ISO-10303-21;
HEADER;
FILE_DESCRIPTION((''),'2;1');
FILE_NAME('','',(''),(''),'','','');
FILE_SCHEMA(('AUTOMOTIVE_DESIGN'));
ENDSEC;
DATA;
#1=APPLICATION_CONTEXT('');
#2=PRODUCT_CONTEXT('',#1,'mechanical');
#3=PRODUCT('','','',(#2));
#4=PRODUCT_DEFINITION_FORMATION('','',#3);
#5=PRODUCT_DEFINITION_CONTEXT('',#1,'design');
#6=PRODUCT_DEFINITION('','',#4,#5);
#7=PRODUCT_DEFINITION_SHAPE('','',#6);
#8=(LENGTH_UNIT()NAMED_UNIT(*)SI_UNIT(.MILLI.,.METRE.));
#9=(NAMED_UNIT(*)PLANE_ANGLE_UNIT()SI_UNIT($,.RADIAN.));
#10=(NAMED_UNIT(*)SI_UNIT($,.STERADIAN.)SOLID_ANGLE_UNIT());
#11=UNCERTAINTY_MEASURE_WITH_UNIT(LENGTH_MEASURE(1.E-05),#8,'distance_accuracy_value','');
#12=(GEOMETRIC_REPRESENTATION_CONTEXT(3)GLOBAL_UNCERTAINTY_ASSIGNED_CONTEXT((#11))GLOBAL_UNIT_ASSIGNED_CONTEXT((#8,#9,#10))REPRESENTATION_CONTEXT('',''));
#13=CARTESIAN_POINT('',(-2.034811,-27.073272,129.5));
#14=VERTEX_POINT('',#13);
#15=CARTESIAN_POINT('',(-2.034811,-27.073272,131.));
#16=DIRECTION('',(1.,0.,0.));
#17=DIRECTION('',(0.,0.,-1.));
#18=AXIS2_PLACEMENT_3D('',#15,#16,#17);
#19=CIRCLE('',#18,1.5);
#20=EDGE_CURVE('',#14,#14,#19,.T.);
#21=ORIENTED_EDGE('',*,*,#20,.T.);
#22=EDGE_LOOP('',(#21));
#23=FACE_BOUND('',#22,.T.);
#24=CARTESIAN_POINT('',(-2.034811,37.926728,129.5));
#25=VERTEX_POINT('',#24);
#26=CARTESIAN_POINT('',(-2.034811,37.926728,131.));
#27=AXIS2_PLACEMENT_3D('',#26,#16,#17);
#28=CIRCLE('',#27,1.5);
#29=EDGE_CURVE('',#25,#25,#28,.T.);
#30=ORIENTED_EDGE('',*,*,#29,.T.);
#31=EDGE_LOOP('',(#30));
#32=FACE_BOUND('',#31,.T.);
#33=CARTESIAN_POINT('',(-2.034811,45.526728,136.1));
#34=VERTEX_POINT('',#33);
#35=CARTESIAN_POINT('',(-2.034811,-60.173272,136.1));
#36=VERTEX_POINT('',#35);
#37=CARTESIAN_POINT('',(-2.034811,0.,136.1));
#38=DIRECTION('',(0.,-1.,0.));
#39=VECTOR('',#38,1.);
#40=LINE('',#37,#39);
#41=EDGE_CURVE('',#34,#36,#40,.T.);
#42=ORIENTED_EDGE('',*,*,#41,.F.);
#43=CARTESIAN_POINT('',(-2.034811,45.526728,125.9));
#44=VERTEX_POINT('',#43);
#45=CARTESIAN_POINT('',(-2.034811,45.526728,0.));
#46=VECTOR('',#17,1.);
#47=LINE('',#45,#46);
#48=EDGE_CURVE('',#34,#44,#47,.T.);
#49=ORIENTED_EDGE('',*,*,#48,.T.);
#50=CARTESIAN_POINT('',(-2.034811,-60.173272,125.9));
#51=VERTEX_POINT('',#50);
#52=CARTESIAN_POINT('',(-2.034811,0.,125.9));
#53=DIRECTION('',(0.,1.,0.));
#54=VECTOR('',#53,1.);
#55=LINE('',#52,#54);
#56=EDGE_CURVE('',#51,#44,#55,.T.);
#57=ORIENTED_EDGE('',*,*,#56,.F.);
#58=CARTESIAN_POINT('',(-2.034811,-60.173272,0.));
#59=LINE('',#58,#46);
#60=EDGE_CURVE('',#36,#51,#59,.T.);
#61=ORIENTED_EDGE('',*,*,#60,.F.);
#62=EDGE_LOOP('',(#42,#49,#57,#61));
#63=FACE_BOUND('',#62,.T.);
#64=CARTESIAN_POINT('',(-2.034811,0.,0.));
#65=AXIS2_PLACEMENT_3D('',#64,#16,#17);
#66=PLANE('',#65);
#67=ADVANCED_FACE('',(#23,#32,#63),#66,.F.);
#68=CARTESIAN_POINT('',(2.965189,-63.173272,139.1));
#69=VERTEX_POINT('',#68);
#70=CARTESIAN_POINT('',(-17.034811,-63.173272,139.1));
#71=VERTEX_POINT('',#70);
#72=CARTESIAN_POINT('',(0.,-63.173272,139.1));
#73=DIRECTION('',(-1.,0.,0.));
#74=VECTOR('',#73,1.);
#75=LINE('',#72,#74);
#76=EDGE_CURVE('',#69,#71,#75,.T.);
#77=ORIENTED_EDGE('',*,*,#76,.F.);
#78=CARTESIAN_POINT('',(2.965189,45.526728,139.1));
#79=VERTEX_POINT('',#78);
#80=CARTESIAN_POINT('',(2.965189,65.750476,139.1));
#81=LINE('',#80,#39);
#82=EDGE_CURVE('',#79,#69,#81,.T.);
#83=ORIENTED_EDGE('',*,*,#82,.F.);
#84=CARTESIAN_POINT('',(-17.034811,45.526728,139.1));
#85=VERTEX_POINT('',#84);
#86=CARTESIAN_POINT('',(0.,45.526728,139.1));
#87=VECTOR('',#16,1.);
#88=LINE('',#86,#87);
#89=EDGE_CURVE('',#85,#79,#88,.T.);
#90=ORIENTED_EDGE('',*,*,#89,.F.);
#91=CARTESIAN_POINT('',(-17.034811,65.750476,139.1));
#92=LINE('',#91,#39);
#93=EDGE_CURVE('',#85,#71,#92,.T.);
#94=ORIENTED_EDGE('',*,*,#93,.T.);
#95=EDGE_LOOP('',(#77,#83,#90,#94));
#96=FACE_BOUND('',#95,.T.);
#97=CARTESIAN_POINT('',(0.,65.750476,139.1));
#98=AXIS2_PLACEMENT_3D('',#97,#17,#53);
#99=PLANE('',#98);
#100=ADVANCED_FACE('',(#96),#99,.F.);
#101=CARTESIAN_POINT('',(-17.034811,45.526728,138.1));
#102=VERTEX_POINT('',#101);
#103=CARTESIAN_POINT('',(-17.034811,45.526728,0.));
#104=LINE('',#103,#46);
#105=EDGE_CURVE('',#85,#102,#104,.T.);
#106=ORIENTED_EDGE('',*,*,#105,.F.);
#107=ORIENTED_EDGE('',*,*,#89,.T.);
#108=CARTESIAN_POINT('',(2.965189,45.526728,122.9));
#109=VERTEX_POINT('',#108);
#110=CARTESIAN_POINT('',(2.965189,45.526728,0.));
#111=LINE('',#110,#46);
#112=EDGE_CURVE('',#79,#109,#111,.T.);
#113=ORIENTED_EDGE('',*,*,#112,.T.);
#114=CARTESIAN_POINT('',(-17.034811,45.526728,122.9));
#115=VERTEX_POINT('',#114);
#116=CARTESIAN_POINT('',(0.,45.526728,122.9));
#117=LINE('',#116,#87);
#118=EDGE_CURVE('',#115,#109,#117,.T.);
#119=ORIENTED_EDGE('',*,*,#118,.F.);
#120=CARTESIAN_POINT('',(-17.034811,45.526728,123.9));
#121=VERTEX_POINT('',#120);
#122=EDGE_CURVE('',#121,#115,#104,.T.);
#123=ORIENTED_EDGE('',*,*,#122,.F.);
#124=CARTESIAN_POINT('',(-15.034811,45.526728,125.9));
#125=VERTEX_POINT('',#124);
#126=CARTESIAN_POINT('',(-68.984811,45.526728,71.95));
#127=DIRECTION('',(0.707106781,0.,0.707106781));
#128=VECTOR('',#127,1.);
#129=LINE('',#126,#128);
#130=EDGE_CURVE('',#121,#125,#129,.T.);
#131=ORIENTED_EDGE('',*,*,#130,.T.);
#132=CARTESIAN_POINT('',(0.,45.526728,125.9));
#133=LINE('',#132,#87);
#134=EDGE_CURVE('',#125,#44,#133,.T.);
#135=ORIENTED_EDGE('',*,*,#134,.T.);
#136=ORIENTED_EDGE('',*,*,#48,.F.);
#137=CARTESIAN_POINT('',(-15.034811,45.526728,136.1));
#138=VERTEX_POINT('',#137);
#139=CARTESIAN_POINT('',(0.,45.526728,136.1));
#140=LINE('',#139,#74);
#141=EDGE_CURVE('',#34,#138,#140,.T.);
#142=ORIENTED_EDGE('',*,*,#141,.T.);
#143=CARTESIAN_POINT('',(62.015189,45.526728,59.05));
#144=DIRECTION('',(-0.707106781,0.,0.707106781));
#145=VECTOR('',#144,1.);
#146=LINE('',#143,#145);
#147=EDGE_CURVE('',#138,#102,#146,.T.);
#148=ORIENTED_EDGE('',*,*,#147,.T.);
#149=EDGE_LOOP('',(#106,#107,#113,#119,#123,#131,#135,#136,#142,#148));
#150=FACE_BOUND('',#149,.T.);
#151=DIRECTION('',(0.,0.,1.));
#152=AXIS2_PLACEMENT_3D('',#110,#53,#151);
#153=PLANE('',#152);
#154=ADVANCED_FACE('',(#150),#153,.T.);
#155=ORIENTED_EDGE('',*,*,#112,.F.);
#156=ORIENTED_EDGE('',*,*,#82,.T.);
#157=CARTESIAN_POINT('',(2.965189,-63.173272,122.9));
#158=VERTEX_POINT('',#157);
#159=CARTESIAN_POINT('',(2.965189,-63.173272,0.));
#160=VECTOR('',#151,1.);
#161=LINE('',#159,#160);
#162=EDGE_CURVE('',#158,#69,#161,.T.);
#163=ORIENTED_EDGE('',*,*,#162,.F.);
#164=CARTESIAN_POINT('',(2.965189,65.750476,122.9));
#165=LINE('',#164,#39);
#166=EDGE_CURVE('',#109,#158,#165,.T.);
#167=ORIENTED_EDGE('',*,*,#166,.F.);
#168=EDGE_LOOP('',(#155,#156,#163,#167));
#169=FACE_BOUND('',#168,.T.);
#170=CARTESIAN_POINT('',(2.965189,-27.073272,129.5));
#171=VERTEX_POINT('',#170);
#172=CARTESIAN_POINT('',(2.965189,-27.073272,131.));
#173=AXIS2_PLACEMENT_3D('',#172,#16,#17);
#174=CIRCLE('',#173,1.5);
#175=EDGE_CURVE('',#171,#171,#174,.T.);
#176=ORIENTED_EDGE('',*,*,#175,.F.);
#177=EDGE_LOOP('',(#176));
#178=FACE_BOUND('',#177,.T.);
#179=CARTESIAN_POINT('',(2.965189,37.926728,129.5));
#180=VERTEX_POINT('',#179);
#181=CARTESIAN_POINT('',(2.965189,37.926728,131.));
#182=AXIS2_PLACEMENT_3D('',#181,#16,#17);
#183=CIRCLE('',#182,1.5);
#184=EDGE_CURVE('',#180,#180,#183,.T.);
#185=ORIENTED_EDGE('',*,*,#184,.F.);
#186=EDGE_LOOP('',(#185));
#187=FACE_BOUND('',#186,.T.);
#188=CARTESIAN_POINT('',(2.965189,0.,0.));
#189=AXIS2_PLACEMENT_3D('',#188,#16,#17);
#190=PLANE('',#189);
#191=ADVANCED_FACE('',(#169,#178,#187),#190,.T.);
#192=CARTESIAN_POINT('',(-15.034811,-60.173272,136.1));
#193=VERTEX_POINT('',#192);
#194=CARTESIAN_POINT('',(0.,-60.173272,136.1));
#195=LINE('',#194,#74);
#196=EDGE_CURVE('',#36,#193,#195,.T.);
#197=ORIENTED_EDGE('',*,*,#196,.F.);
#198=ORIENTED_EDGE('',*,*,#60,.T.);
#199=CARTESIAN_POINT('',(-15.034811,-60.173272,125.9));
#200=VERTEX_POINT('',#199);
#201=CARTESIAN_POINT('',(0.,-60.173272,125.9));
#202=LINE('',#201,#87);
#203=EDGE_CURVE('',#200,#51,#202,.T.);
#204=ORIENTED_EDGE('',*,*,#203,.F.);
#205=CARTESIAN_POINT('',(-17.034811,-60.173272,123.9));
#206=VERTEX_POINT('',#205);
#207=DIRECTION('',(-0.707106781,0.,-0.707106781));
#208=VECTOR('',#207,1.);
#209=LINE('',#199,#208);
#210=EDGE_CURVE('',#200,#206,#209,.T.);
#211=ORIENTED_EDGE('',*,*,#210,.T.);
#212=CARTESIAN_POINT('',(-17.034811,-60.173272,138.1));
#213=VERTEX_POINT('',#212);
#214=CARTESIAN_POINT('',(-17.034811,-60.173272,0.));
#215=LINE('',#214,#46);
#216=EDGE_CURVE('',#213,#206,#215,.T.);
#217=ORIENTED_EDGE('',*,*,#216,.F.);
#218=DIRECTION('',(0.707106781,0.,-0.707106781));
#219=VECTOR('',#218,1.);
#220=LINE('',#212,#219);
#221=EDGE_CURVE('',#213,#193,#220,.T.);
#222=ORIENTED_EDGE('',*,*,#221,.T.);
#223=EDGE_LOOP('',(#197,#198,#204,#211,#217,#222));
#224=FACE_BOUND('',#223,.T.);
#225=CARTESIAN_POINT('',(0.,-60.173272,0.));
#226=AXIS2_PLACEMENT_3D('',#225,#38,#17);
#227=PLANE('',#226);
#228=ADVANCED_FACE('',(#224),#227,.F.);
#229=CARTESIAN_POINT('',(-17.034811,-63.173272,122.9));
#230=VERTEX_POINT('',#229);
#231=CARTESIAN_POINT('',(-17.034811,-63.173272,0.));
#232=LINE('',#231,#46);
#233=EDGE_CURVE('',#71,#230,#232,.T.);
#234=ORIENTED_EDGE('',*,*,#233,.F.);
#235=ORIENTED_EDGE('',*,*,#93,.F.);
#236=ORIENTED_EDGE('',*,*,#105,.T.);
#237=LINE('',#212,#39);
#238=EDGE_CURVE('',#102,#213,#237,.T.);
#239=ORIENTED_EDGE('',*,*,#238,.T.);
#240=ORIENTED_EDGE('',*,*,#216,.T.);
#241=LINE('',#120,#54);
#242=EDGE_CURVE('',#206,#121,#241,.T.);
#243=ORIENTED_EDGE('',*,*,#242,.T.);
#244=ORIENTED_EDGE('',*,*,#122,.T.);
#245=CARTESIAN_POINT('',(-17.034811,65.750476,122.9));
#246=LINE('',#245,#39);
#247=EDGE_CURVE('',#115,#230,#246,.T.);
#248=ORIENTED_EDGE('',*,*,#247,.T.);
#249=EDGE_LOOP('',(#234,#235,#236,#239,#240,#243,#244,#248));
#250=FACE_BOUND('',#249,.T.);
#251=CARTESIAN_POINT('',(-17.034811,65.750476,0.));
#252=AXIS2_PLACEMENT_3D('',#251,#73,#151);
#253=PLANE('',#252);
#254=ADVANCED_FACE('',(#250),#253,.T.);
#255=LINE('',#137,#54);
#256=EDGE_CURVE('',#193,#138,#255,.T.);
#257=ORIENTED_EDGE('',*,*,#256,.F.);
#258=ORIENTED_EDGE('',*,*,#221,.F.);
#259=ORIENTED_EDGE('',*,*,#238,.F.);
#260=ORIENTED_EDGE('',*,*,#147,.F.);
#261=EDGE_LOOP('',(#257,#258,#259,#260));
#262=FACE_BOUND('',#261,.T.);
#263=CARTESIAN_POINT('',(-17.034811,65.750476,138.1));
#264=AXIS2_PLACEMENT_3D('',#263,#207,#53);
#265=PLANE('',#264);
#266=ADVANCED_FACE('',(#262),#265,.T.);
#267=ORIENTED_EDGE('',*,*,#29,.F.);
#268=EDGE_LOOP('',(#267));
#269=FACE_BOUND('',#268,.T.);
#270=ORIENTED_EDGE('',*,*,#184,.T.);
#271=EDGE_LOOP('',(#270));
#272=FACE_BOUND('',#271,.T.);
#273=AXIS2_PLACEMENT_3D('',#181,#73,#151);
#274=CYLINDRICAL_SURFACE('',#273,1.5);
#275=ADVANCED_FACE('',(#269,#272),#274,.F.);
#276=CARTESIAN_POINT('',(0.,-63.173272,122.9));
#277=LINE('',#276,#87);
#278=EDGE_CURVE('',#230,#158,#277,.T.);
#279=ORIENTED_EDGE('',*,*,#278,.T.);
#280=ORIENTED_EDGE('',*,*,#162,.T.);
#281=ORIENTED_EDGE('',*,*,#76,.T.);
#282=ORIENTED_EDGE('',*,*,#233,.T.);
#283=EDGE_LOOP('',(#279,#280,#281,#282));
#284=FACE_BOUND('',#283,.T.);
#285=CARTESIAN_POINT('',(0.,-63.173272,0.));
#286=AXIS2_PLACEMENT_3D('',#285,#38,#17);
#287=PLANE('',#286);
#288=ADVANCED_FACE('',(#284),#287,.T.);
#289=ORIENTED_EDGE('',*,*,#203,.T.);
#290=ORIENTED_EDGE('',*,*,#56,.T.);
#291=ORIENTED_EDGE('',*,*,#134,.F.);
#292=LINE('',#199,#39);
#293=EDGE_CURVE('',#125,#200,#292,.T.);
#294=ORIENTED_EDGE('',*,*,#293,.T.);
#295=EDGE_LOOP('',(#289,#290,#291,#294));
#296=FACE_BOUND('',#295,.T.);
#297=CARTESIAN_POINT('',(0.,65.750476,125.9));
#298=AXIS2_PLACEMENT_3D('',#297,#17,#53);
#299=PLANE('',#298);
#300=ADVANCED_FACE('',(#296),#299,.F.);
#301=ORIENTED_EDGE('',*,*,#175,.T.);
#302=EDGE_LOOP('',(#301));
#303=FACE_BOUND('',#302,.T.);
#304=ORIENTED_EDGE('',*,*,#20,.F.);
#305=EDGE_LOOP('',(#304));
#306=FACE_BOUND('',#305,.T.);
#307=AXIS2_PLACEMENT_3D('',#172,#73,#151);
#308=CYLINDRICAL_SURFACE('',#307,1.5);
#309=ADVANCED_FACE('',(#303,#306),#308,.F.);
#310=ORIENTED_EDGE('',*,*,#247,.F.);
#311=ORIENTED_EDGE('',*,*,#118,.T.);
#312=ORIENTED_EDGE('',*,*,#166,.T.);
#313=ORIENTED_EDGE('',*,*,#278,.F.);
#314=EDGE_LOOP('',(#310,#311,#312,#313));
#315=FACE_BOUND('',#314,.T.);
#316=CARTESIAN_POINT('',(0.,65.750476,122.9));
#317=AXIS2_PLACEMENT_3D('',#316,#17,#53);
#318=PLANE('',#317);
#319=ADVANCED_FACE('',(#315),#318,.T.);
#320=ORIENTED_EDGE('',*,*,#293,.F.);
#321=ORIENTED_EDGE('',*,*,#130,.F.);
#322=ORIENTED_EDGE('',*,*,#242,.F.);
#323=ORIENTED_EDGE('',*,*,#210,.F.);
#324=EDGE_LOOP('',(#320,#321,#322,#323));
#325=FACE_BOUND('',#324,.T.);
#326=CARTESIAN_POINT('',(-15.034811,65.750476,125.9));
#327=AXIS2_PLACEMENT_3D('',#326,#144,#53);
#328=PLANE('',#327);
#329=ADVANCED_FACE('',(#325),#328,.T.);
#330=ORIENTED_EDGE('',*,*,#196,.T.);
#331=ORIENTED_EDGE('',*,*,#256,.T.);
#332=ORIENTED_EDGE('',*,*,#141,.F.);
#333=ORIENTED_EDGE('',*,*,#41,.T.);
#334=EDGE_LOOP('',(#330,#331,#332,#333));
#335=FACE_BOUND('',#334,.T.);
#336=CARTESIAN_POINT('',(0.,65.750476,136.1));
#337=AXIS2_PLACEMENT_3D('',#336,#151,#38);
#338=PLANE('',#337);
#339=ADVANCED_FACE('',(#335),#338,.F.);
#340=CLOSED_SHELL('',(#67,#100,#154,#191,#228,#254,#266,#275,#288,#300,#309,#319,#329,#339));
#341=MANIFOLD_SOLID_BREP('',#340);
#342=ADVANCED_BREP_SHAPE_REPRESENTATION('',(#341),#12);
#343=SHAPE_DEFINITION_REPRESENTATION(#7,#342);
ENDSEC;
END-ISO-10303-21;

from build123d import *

# Parameters (mm, degrees)
SKETCH_1_W      = 10
SKETCH_1_H      = 105.5
SKETCH_1_R      = 1.6
SKETCH_1_H_2    = 0.1
SKETCH_1_R_2    = 1.5
EXTRUDE_1_DEPTH = 5
EXTRUDE_2_DEPTH = 105.7
CHAMFER_1_SIZE  = 2
EXTRUDE_3_DEPTH = 3


with BuildPart() as part:
    # ｽｹｯﾁ1 → ﾎﾞｽ - 押し出し1 (new body)
    # profile 1 of 5: a face of its own
    with BuildSketch(Plane(origin=(-2.03481113, 0, 0), x_dir=(0, 0, -1), z_dir=(1, 0, 0))):
        with Locations((-131, -7.323272389)):
            Rectangle(SKETCH_1_W, SKETCH_1_H)
        with Locations((-131, -27.073272389)):
            Circle(SKETCH_1_R, mode=Mode.SUBTRACT)
        with Locations((-131, 37.926727611)):
            Circle(SKETCH_1_R, mode=Mode.SUBTRACT)
    # profile 2 of 5: a face of its own
    with BuildSketch(Plane(origin=(-2.03481113, 0, 0), x_dir=(0, 0, -1), z_dir=(1, 0, 0))):
        Polygon((-136, -60.073272389), (-136, 45.426727611), (-136, 45.526727611), (-136.1, 45.526727611), (-136.1, -60.173272389), (-125.9, -60.173272389), (-125.9, 45.526727611), (-126, 45.526727611), (-126, 45.426727611), (-126, -60.073272389), align=None)
    # profile 3 of 5: a face of its own
    with BuildSketch(Plane(origin=(-2.03481113, 0, 0), x_dir=(0, 0, -1), z_dir=(1, 0, 0))):
        with Locations((-131, 45.476727611)):
            Rectangle(SKETCH_1_W, SKETCH_1_H_2)
    # profile 4 of 5: a face of its own
    with BuildSketch(Plane(origin=(-2.03481113, 0, 0), x_dir=(0, 0, -1), z_dir=(1, 0, 0))):
        with Locations((-131, 37.926727611)):
            Circle(SKETCH_1_R)
        with Locations((-131, 37.926727611)):
            Circle(SKETCH_1_R_2, mode=Mode.SUBTRACT)
    # profile 5 of 5: a face of its own
    with BuildSketch(Plane(origin=(-2.03481113, 0, 0), x_dir=(0, 0, -1), z_dir=(1, 0, 0))):
        with Locations((-131, -27.073272389)):
            Circle(SKETCH_1_R)
        with Locations((-131, -27.073272389)):
            Circle(SKETCH_1_R_2, mode=Mode.SUBTRACT)
    extrude(amount=EXTRUDE_1_DEPTH)

    # ｽｹｯﾁ2 → ﾎﾞｽ - 押し出し2 (add)
    with BuildSketch(Plane.XZ.offset(60.173272389)):
        Polygon((2.96518887, 139.1), (-17.03481113, 139.1), (-17.03481113, 136.1), (-2.03481113, 136.1), (2.96518887, 136.1), align=None)
        Polygon((2.96518887, 122.9), (2.96518887, 125.9), (-2.03481113, 125.9), (-17.03481113, 125.9), (-17.03481113, 122.9), align=None)
    extrude(amount=-EXTRUDE_2_DEPTH)

    # 面取り1
    chamfer_1_edges = [part.edges().sort_by_distance(p)[0] for p in [
        (-17.03481113, -7.323272389, 136.1),
        (-17.03481113, -7.323272389, 125.9),
    ]]
    chamfer(chamfer_1_edges, length=CHAMFER_1_SIZE)

    # ｽｹｯﾁ3 → ﾎﾞｽ - 押し出し3 (add)
    with BuildSketch(Plane.XZ.offset(60.173272389)):
        Polygon((-2.03481113, 136.1), (-2.03481113, 125.9), (-15.03481113, 125.9), (-17.03481113, 123.9), (-17.03481113, 122.9), (2.96518887, 122.9), (2.96518887, 139.1), (-17.03481113, 139.1), (-17.03481113, 138.1), (-15.03481113, 136.1), align=None)
        Polygon((-15.03481113, 136.1), (-17.03481113, 138.1), (-17.03481113, 123.9), (-15.03481113, 125.9), (-2.03481113, 125.9), (-2.03481113, 136.1), align=None)
    extrude(amount=EXTRUDE_3_DEPTH)


solid = part.part
